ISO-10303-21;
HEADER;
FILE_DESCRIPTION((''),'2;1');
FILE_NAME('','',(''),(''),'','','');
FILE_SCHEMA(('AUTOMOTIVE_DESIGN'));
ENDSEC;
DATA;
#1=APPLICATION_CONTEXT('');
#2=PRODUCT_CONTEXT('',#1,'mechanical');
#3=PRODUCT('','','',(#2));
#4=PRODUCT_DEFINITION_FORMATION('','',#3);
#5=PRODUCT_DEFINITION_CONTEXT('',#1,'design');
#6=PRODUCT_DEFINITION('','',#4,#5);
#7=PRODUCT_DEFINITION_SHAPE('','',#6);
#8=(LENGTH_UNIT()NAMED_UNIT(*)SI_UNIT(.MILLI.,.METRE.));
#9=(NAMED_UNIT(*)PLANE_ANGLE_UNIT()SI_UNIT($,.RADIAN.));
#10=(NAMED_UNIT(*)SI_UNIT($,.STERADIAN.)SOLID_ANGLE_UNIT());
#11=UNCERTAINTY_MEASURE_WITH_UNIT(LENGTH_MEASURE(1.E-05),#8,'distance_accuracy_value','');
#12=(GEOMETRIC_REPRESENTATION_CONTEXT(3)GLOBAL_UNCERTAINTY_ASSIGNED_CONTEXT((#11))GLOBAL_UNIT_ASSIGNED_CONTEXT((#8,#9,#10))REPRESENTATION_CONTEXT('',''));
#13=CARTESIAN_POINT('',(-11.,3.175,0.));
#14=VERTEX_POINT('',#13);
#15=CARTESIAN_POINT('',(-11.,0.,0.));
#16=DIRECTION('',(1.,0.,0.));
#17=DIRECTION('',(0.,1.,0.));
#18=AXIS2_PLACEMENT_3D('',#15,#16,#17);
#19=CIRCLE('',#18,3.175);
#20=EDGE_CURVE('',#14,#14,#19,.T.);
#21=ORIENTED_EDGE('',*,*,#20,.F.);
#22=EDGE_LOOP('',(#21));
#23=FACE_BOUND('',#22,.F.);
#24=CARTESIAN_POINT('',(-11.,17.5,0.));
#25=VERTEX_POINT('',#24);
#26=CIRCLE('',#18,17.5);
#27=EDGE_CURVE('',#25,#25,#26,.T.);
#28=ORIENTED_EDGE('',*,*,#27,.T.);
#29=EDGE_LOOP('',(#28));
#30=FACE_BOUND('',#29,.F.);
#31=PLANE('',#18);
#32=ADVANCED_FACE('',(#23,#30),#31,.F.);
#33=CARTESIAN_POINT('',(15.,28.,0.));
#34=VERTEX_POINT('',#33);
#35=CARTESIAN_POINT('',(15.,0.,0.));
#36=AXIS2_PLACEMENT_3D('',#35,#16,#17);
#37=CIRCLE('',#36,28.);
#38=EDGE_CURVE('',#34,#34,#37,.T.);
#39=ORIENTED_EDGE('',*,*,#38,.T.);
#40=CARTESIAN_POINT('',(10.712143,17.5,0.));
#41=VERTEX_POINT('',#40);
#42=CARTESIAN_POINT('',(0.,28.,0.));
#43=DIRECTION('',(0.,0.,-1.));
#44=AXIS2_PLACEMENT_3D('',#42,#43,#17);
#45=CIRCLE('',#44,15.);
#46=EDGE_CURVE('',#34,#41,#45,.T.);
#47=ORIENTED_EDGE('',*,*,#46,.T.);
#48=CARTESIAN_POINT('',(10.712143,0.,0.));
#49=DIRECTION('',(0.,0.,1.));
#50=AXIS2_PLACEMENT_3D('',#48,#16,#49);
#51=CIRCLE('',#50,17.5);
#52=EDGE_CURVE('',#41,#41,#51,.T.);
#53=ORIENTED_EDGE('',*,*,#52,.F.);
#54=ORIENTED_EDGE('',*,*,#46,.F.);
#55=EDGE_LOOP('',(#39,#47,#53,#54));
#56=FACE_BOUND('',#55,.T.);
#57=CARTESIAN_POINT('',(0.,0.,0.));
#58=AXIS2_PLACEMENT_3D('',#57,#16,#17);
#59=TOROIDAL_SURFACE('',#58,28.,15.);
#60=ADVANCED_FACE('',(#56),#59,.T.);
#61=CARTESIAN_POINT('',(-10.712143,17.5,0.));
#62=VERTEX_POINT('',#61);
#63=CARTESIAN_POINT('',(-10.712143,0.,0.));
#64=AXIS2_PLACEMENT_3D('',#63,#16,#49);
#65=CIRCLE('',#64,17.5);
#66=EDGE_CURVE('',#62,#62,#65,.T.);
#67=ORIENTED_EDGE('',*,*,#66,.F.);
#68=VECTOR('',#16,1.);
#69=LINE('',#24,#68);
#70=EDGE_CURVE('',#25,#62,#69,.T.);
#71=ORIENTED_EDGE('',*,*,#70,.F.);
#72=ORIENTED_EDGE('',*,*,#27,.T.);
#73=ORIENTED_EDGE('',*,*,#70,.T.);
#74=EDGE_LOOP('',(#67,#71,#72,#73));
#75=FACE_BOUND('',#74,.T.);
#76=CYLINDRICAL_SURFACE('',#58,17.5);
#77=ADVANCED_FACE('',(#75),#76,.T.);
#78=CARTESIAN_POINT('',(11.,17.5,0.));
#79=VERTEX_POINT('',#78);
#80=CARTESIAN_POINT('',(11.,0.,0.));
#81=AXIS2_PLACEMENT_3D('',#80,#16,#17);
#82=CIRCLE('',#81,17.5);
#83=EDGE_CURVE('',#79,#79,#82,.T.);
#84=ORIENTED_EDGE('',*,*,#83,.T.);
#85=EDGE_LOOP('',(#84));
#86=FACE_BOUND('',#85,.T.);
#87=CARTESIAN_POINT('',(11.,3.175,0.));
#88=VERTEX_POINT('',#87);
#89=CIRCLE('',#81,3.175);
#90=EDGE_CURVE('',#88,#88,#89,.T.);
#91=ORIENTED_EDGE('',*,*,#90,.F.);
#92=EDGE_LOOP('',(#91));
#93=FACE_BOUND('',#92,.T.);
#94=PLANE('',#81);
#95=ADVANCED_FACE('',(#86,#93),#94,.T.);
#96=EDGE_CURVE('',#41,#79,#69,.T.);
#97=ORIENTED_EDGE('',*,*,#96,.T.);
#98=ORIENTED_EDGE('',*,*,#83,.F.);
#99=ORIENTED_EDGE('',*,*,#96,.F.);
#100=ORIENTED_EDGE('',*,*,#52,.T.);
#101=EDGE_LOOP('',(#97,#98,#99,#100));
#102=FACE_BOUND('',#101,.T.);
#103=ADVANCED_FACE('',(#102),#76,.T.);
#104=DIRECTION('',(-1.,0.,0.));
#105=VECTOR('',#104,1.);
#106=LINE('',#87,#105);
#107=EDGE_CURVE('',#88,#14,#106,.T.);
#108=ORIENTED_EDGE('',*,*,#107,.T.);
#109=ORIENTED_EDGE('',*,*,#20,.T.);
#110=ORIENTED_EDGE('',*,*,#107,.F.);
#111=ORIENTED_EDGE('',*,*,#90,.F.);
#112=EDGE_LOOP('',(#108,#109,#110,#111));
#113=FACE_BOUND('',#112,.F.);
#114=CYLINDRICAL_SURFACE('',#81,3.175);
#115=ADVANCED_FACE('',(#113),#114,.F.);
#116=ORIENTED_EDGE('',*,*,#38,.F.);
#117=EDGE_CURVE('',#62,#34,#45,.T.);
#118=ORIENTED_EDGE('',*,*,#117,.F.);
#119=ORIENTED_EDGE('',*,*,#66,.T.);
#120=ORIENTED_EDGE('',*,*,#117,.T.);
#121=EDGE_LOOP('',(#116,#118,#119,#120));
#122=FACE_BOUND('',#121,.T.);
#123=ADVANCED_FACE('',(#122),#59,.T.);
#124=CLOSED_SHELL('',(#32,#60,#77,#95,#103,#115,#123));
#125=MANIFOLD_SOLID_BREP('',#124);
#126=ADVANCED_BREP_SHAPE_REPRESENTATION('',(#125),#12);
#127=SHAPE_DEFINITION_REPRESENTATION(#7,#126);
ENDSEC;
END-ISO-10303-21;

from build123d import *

# Parameters (mm, degrees)
F0_R     = 17.5
F1_DEPTH = 11
F3_R     = 15
F5_R     = 3.175
F6_DEPTH = 26.001


with BuildPart() as f1:
    # F0 (on Right) → F1 (new body, symmetric)
    with BuildSketch(Plane.YZ):
        Circle(F0_R)
    extrude(amount=F1_DEPTH, both=True)

    # F4: sweep along a path in F2
    with BuildLine(Plane.YZ) as f4_path:
        CenterArc((0, 0), 28, 0, 360)
    # F3 (on Front) → F4 (sweep)
    with BuildSketch(Plane.XZ):
        with Locations((0, -28)):
            Circle(F3_R)
    sweep(path=f4_path.line)

    # F5 (on face) → F6 (cut, through all)
    with BuildSketch(Plane.YZ.offset(11)):
        Circle(F5_R)
    extrude(amount=-F6_DEPTH, mode=Mode.SUBTRACT)


solid = f1.part
